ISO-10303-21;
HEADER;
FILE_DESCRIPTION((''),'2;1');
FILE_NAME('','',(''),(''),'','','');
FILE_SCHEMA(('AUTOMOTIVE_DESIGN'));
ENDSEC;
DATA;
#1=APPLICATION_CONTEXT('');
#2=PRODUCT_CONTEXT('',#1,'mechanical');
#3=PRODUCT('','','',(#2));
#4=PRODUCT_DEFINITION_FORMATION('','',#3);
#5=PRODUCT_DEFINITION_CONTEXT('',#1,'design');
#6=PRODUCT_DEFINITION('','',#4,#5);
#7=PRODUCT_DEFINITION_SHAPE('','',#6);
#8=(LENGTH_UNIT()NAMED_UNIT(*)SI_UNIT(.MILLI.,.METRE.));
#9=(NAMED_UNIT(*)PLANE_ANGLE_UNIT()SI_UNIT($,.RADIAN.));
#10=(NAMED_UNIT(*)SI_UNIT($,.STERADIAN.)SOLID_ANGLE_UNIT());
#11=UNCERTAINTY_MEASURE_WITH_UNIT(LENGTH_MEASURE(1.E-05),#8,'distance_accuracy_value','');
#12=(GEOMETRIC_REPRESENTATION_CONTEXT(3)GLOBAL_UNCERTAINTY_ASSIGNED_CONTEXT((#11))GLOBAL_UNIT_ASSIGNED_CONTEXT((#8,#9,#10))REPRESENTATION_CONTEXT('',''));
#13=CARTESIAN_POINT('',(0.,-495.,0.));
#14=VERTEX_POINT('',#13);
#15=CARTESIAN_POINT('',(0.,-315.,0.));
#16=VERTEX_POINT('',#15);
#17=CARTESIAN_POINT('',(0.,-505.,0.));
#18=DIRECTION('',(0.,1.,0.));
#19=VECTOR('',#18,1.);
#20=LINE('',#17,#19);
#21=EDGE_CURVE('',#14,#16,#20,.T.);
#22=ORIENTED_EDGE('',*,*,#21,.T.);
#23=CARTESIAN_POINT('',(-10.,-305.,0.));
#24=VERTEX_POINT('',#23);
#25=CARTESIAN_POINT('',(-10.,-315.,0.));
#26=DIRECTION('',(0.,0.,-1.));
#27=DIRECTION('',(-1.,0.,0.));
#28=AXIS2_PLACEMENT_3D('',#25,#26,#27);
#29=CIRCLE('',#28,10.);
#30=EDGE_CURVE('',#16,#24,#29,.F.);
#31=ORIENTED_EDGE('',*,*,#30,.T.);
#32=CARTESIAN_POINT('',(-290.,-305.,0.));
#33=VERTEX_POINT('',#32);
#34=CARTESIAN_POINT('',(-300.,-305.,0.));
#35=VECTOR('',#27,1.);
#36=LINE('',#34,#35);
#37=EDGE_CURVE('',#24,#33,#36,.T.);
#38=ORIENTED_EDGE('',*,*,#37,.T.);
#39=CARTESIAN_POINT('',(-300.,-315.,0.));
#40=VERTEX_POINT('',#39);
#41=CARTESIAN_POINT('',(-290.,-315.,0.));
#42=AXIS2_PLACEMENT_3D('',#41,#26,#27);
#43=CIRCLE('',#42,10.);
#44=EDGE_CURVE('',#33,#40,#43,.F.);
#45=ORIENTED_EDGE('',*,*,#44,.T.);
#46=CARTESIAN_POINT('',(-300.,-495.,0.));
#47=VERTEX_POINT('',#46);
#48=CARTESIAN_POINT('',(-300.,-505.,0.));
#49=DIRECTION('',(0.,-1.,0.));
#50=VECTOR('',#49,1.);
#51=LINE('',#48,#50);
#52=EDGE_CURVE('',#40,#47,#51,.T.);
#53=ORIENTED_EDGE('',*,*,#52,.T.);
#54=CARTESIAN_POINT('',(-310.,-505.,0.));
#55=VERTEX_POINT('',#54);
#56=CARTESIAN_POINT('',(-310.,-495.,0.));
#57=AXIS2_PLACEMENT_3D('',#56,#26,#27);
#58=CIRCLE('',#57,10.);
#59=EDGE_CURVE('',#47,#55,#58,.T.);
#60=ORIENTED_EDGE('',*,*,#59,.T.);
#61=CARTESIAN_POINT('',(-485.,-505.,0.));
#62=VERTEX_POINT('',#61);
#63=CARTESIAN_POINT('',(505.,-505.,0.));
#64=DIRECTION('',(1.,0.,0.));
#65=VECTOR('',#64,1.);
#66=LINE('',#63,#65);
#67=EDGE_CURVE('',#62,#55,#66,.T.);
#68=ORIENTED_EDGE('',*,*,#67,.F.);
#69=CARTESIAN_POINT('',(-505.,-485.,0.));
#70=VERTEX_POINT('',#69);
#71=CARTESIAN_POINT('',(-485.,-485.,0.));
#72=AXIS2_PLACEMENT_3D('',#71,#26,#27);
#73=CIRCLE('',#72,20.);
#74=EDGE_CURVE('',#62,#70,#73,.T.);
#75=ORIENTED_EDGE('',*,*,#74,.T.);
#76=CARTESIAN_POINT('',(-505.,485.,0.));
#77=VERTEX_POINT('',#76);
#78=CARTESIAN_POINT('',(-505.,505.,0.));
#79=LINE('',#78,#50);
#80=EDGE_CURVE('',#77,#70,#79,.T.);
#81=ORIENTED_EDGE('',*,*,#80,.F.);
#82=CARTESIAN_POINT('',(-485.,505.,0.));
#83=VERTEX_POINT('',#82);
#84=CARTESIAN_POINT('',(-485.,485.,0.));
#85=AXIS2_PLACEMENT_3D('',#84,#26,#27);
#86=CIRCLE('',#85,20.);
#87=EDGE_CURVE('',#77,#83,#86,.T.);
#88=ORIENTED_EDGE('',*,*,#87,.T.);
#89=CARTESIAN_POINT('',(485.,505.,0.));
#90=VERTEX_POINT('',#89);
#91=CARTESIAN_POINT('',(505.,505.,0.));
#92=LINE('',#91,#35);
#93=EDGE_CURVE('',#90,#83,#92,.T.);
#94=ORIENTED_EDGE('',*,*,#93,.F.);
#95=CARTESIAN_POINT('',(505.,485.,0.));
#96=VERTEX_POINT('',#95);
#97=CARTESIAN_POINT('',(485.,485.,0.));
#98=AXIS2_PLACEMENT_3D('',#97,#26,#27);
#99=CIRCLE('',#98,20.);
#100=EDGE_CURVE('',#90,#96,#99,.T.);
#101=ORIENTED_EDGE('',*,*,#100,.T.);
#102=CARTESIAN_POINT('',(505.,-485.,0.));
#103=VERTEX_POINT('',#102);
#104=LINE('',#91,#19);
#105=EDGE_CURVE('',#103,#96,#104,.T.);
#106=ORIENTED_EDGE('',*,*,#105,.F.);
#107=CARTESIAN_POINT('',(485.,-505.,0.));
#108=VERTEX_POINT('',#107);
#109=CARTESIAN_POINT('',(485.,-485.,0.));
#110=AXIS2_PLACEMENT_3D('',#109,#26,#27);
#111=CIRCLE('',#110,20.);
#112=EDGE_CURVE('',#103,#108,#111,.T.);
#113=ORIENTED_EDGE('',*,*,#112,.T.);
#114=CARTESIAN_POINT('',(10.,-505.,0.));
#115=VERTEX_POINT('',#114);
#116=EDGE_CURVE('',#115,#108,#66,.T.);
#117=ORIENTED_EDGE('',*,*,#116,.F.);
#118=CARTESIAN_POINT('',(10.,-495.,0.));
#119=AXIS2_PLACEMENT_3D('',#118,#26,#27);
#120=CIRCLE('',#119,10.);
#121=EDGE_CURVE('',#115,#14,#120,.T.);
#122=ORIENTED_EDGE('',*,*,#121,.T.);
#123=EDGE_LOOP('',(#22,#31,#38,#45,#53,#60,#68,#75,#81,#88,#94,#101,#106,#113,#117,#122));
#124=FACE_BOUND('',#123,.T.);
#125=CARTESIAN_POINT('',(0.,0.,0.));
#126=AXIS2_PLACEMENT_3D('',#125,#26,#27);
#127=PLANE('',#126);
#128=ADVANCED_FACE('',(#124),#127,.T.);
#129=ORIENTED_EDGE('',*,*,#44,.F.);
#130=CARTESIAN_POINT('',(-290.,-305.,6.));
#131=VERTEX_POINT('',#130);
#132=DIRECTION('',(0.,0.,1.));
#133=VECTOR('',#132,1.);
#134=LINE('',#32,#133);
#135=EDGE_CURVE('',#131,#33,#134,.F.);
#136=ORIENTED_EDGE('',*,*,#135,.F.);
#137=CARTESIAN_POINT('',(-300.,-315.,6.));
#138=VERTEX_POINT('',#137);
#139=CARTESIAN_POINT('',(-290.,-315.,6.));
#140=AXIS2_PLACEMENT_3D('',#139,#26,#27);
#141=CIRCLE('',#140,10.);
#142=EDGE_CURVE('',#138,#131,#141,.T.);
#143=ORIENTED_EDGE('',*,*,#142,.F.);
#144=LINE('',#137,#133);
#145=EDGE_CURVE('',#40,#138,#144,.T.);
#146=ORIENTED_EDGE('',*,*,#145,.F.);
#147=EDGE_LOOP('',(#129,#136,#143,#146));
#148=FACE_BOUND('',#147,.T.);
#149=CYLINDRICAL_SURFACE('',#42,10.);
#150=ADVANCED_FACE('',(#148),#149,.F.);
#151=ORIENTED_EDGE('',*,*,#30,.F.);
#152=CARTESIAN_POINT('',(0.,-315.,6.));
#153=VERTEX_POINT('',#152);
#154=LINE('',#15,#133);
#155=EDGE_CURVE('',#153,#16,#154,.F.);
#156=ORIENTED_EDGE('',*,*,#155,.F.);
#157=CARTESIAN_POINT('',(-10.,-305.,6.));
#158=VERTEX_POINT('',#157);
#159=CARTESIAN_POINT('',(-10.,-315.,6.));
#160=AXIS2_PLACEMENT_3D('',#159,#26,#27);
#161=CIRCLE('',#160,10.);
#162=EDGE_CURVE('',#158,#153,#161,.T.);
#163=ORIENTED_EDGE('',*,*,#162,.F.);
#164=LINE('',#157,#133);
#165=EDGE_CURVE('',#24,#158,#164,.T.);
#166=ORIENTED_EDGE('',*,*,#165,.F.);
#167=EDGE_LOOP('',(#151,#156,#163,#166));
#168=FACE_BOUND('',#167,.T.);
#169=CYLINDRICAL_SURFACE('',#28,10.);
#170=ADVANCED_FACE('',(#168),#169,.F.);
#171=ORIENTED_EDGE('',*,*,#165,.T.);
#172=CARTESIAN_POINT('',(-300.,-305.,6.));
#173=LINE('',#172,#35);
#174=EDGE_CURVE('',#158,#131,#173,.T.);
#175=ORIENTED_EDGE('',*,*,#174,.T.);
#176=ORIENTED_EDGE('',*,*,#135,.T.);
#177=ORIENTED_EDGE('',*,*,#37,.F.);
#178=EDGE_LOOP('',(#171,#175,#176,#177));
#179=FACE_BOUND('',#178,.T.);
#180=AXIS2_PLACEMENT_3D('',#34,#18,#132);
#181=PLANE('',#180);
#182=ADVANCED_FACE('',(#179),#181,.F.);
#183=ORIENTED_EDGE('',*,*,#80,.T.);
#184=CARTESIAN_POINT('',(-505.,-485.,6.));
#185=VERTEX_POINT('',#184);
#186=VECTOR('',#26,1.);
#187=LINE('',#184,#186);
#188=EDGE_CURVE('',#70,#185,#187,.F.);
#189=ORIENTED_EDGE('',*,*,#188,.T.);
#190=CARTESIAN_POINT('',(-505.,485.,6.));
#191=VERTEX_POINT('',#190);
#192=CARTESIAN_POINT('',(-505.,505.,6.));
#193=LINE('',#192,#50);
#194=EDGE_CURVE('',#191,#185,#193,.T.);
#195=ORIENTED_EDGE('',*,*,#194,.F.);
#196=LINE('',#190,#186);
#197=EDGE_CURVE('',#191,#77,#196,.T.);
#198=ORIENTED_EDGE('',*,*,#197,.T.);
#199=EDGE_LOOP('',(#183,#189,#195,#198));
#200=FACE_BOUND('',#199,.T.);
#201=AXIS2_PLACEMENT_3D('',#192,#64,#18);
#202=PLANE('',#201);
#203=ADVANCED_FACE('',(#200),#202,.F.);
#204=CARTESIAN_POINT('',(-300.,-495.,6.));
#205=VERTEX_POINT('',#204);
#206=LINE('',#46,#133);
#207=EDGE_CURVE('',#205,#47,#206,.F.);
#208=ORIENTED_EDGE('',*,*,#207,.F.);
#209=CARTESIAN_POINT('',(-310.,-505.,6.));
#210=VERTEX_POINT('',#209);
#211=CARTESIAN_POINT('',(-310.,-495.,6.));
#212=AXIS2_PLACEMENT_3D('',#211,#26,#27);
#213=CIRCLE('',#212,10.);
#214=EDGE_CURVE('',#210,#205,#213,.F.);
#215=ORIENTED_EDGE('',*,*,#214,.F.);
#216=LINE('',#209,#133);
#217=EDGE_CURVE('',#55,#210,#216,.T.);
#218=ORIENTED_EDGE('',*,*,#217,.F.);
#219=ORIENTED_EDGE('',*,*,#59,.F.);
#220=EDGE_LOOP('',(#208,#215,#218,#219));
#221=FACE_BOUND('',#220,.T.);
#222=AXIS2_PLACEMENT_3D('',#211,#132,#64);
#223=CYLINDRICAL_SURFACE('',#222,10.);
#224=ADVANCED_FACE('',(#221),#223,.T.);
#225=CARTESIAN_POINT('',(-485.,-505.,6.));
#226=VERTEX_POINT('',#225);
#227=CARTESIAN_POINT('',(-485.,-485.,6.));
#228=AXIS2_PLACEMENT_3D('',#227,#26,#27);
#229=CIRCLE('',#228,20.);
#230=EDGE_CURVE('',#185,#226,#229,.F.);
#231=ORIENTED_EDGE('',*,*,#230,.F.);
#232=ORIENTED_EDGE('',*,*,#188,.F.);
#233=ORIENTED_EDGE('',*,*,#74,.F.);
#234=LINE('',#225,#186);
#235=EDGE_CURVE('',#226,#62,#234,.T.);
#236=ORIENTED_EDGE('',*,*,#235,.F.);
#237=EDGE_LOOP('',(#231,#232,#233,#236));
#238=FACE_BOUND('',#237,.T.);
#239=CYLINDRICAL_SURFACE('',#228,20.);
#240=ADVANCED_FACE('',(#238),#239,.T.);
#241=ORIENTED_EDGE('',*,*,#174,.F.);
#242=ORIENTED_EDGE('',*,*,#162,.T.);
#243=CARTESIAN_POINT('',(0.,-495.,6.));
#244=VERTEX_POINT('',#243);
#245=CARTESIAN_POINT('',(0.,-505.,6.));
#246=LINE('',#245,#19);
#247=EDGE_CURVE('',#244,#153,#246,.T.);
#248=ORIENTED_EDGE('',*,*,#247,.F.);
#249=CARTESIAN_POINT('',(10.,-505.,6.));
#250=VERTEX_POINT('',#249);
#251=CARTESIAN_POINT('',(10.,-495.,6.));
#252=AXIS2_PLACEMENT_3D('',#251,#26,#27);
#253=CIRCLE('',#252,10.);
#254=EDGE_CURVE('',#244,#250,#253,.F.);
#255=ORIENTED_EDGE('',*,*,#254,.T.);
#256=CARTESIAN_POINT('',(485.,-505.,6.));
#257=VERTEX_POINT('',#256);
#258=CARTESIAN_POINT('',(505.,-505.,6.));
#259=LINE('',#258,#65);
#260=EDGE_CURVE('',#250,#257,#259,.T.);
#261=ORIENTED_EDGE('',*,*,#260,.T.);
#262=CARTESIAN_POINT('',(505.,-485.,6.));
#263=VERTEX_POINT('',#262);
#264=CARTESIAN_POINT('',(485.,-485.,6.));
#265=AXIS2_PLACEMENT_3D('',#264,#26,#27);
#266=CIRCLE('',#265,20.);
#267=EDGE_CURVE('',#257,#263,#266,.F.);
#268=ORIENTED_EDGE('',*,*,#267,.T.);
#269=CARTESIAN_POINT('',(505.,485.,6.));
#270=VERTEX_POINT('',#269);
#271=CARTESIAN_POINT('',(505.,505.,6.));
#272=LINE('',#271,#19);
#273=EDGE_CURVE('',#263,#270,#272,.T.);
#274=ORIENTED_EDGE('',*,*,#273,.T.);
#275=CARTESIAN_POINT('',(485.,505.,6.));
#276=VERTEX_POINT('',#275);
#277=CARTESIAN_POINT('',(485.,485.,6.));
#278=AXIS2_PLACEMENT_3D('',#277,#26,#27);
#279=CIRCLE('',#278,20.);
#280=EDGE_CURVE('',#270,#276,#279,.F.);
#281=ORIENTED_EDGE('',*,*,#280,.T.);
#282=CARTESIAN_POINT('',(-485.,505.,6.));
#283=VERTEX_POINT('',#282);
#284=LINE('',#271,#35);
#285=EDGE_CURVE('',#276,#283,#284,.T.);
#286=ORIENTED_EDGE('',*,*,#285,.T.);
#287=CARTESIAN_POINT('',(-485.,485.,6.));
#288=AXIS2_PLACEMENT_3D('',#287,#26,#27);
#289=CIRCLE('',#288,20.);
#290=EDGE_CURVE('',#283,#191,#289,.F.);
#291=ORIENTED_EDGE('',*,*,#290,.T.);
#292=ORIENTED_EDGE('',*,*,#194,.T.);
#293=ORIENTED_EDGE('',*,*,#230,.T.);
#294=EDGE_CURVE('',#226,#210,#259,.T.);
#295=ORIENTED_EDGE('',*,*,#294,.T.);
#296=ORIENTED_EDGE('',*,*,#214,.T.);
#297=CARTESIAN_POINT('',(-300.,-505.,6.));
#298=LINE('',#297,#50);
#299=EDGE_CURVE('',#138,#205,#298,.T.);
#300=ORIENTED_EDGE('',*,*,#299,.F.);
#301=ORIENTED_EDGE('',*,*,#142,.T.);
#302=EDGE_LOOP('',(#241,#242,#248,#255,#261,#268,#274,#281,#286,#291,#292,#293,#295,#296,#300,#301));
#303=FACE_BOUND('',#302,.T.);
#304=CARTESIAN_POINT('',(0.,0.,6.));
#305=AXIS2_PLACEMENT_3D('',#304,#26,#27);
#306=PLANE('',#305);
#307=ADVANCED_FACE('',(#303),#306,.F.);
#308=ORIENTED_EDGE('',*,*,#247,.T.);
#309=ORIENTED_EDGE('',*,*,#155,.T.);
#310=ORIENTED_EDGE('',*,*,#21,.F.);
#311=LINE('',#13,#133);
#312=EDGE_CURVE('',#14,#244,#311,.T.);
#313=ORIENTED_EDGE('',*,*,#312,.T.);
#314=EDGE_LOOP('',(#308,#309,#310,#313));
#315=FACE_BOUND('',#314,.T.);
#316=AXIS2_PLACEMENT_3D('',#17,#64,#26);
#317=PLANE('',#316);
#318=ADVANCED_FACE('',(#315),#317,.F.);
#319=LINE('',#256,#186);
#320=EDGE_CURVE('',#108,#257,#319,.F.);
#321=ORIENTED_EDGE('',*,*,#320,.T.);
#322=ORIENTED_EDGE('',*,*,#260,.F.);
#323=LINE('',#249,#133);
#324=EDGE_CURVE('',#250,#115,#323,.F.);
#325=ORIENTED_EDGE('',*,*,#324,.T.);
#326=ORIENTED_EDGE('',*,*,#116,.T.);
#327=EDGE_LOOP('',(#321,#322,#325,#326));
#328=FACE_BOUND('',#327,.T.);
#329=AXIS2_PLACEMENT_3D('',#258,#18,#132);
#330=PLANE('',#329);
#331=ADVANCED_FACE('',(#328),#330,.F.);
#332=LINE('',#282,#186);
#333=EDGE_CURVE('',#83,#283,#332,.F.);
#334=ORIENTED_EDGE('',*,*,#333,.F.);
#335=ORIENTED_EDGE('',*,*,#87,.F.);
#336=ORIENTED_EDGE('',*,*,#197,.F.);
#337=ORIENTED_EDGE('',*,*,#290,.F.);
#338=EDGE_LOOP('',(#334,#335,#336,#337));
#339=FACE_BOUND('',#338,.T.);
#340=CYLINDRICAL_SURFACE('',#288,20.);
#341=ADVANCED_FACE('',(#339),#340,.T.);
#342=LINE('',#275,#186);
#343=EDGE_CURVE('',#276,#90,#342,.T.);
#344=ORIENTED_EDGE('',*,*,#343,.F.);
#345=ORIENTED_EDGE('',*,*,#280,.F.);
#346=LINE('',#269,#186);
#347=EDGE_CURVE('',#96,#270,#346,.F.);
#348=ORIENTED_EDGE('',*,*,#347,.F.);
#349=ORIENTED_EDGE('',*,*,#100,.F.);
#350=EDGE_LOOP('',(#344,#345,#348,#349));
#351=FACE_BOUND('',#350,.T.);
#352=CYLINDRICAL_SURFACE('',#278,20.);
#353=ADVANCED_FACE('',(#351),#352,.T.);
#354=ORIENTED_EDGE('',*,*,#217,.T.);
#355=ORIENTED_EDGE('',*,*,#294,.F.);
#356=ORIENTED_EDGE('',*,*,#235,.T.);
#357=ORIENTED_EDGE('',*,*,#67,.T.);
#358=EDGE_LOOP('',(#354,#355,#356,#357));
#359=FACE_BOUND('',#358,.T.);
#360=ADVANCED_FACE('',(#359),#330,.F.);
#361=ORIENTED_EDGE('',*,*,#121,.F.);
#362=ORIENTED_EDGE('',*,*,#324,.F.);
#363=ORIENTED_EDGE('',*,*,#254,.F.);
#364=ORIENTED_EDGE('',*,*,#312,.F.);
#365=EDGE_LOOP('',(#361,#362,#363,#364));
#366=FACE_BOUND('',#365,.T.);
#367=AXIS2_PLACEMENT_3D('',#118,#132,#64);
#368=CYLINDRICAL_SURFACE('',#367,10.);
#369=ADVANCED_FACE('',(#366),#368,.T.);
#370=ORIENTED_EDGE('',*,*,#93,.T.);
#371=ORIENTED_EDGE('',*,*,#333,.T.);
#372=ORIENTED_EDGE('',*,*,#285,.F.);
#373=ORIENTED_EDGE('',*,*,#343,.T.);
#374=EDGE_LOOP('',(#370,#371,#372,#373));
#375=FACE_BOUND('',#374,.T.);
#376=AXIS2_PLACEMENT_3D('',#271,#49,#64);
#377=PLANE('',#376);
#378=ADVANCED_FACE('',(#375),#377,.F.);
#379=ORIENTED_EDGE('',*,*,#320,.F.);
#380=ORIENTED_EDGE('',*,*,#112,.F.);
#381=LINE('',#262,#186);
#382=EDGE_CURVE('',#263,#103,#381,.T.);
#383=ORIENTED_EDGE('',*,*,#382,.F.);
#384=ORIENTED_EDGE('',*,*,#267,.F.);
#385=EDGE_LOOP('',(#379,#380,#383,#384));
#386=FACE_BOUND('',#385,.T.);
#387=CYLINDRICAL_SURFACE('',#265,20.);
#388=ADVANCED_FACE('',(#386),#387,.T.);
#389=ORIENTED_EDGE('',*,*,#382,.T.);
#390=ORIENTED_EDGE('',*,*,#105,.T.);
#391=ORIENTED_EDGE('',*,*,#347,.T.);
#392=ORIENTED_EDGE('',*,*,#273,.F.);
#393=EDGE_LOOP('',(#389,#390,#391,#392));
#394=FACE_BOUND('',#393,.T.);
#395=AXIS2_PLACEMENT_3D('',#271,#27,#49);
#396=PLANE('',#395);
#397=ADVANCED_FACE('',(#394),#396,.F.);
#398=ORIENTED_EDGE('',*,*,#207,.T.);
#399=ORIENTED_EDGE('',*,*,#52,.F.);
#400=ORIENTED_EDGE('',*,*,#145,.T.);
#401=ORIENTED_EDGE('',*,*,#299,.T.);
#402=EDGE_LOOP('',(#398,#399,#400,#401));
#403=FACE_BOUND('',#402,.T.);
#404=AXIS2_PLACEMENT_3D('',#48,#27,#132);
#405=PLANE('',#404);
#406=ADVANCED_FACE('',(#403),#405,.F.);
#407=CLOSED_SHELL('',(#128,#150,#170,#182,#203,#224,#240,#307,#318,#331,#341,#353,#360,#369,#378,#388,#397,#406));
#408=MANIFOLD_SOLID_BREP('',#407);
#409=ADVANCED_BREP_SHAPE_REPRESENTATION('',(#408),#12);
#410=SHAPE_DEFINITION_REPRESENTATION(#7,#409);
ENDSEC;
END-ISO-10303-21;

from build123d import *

# Parameters (mm, degrees)
SKETCH1_W           = 1010
SKETCH1_H           = 1010
BOSS_EXTRUDE1_DEPTH = 6
SKETCH2_W           = 300
SKETCH2_H           = 200
CUT_EXTRUDE1_DEPTH  = 6
FILLET2_R           = 20
FILLET3_R           = 10


with BuildPart() as part:
    # Sketch1 → Boss-Extrude1 (new body)
    with BuildSketch(Plane.XY):
        Rectangle(SKETCH1_W, SKETCH1_H)
    extrude(amount=BOSS_EXTRUDE1_DEPTH)

    # Sketch2 → Cut-Extrude1 (cut)
    with BuildSketch(Plane.XY.offset(6)):
        with Locations((-150, -405)):
            Rectangle(SKETCH2_W, SKETCH2_H)
    extrude(amount=-CUT_EXTRUDE1_DEPTH, mode=Mode.SUBTRACT)

    # Fillet2
    fillet2_edges = [part.edges().sort_by_distance(p)[0] for p in [
        (-505, 505, 3),
        (505, 505, 3),
        (505, -505, 3),
        (-505, -505, 3),
    ]]
    fillet(fillet2_edges, radius=FILLET2_R)

    # Fillet3
    fillet3_edges = [part.edges().sort_by_distance(p)[0] for p in [
        (-300, -505, 3),
        (-300, -305, 3),
        (0, -305, 3),
        (0, -505, 3),
    ]]
    fillet(fillet3_edges, radius=FILLET3_R)


solid = part.part
